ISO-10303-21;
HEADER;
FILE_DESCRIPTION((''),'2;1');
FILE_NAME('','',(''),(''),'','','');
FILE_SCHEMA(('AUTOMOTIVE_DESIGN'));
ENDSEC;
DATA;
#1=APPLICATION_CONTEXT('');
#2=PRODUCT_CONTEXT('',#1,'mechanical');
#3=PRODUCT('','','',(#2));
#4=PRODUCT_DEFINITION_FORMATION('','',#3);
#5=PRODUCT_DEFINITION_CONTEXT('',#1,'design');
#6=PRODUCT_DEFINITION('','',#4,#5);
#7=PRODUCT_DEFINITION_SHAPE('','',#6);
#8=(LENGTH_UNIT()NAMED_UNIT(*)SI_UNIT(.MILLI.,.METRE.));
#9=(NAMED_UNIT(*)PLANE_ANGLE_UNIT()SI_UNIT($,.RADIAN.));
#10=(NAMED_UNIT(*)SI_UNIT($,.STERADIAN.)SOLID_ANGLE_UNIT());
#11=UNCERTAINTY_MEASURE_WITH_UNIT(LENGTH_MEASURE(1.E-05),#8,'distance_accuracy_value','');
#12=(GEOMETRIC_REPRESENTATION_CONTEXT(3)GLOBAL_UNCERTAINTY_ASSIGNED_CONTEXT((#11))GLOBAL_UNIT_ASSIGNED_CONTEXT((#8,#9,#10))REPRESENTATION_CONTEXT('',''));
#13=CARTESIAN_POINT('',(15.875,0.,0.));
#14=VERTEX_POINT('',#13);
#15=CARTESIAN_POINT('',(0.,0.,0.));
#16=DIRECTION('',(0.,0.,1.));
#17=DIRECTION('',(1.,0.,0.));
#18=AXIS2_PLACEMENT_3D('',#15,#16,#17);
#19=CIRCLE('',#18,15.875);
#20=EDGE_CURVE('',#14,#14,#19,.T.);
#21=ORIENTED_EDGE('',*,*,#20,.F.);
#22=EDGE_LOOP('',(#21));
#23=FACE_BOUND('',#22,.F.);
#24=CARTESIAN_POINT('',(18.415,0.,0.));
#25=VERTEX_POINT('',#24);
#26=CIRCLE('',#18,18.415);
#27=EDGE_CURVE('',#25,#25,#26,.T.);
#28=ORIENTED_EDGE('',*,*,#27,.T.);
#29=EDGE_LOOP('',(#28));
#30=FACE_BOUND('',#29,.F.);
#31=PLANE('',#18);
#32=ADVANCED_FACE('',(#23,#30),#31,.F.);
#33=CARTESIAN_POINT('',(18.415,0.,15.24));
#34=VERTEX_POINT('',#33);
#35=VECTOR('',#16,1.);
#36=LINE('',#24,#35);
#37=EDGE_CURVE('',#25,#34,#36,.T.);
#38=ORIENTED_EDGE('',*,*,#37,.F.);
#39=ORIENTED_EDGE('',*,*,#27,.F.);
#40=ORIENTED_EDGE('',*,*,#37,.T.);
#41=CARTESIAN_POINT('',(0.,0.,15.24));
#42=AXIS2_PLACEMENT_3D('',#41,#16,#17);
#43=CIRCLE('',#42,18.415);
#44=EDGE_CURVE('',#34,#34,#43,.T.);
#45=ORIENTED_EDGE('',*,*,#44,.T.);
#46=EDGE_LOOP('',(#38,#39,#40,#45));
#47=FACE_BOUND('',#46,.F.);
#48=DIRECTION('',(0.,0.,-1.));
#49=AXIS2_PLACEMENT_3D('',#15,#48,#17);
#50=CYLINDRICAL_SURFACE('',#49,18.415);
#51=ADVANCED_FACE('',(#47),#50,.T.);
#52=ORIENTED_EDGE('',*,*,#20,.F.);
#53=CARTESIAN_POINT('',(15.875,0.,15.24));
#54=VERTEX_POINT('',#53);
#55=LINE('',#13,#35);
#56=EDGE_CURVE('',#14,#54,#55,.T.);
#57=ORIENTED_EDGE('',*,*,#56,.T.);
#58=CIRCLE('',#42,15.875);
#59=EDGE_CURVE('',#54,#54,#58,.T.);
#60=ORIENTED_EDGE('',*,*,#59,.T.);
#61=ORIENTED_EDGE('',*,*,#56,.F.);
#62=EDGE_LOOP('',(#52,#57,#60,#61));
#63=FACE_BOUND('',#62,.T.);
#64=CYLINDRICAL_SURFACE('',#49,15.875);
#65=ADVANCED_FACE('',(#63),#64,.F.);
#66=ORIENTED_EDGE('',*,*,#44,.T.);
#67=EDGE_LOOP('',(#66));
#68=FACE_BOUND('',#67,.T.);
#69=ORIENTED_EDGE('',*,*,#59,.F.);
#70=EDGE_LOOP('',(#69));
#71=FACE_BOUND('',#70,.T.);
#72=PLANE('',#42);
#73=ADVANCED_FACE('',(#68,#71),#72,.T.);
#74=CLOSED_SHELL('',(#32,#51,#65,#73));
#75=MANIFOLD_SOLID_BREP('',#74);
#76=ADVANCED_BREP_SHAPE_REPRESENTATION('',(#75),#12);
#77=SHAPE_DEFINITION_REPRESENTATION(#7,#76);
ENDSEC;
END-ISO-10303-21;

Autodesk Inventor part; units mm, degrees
ref_plane "YZ Plane" through (0, 0, 0) normal (1, 0, 0) x (0, 1, 0)
ref_plane "XZ Plane" through (0, 0, 0) normal (0, 1, 0) x (-1, 0, 0)
ref_plane "XY Plane" through (0, 0, 0) normal (0, 0, 1) x (1, 0, 0)
sketch "Sketch1" plane through (0, 0, 0) normal (0, 0, 1) x (1, 0, 0)
  circle A0 centre (0, 0) radius 18.415
  circle A1 centre (0, 0) radius 15.875
  dimension "d0" = 36.83
  dimension "d1" = 31.75
extrude "Extrusion1" add sketch "Sketch1" along normal blind 15.24
properties part number "Gearbox Ring Gear 4 to 1"
